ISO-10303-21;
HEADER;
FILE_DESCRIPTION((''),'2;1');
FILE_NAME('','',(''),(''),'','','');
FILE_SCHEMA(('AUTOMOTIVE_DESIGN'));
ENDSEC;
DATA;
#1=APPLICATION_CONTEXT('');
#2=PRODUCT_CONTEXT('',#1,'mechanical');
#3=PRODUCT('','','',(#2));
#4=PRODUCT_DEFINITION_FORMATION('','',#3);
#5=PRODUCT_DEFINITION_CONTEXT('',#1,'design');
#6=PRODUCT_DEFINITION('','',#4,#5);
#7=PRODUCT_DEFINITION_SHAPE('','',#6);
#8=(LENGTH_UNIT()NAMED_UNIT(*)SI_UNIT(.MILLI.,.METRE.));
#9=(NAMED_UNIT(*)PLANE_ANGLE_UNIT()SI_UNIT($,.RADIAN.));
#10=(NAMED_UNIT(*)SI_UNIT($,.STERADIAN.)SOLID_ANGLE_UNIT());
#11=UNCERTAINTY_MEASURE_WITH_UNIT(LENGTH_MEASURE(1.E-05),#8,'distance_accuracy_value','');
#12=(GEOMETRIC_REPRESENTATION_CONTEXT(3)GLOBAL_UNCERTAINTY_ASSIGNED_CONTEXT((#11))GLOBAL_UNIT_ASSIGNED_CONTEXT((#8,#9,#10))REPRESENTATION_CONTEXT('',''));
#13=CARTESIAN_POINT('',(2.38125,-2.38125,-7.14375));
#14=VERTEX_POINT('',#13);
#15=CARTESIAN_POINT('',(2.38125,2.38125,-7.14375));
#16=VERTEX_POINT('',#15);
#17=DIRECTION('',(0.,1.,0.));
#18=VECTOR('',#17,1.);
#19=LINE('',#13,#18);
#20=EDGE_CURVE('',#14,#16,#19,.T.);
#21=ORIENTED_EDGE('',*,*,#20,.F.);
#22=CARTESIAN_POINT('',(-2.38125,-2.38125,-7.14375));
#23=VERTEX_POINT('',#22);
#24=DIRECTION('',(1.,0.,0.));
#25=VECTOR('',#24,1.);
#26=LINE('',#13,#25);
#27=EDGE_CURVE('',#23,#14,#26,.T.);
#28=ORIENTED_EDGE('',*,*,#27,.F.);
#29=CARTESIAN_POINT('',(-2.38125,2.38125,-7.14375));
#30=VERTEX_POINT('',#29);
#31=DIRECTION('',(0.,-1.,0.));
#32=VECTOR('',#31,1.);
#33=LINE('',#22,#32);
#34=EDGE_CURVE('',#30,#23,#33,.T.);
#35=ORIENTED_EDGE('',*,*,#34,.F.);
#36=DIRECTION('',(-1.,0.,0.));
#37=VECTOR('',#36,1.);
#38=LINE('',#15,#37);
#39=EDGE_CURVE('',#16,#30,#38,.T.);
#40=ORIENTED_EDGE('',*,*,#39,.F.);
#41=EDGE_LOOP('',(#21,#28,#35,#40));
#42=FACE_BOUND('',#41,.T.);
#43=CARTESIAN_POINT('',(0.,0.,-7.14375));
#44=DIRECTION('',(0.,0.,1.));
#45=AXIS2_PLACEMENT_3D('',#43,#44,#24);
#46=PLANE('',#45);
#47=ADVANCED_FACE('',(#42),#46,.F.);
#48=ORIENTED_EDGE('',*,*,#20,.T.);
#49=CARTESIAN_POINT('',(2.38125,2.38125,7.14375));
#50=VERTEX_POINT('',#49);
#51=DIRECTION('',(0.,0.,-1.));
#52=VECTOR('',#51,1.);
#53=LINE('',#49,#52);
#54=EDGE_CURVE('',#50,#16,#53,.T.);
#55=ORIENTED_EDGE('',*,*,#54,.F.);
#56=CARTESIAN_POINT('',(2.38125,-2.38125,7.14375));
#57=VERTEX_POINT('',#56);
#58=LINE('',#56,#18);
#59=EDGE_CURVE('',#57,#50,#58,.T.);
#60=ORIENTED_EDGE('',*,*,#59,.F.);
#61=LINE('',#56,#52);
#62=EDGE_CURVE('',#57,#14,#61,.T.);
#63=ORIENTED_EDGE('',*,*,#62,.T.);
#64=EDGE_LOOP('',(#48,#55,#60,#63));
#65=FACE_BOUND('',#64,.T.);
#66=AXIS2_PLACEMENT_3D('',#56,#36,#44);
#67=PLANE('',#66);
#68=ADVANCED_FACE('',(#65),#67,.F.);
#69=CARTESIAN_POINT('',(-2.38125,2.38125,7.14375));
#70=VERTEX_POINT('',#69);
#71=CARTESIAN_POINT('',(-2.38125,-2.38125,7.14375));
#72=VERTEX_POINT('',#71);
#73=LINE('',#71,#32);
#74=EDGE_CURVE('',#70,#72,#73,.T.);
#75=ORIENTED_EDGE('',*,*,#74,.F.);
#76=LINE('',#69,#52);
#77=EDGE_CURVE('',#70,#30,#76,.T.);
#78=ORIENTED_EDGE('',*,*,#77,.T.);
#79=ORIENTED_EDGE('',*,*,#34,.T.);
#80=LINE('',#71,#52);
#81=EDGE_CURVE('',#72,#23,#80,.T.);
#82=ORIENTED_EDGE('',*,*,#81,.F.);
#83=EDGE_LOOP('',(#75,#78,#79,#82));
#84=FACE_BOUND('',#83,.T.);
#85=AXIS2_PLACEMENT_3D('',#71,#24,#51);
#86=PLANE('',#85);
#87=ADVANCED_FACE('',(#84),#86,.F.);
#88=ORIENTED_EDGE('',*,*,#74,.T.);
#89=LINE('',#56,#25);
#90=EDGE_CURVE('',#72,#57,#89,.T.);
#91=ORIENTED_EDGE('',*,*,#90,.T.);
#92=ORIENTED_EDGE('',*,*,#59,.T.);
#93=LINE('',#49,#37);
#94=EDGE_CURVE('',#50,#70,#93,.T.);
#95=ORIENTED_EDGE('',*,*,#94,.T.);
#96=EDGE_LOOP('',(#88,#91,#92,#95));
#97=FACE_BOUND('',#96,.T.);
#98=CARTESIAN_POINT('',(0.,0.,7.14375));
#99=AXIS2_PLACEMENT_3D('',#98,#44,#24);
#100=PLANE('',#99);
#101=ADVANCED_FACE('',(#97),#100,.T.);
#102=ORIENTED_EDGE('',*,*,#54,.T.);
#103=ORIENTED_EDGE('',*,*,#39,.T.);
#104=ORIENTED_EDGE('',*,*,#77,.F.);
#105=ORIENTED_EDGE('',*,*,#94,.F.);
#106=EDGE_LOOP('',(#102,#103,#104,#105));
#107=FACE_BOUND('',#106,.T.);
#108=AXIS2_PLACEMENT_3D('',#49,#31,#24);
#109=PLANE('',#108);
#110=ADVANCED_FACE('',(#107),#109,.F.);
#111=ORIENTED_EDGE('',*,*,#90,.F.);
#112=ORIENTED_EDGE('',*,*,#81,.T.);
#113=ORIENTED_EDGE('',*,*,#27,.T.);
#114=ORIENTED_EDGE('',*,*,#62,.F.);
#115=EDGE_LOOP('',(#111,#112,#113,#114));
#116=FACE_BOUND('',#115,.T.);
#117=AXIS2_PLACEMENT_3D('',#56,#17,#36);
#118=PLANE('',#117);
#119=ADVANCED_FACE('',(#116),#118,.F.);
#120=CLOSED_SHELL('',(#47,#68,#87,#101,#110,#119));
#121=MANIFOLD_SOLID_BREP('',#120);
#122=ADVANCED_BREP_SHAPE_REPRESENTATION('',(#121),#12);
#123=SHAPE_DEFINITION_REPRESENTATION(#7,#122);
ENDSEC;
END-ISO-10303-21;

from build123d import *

# Parameters (mm, degrees)
SKETCH1_W           = 4.7625
SKETCH1_H           = 4.7625
BOSS_EXTRUDE1_DEPTH = 7.14375


with BuildPart() as part:
    # Sketch1 → Boss-Extrude1 (new, symmetric)
    with BuildSketch(Plane.XY):
        Rectangle(SKETCH1_W, SKETCH1_H)
    extrude(amount=BOSS_EXTRUDE1_DEPTH, both=True)


solid = part.part
